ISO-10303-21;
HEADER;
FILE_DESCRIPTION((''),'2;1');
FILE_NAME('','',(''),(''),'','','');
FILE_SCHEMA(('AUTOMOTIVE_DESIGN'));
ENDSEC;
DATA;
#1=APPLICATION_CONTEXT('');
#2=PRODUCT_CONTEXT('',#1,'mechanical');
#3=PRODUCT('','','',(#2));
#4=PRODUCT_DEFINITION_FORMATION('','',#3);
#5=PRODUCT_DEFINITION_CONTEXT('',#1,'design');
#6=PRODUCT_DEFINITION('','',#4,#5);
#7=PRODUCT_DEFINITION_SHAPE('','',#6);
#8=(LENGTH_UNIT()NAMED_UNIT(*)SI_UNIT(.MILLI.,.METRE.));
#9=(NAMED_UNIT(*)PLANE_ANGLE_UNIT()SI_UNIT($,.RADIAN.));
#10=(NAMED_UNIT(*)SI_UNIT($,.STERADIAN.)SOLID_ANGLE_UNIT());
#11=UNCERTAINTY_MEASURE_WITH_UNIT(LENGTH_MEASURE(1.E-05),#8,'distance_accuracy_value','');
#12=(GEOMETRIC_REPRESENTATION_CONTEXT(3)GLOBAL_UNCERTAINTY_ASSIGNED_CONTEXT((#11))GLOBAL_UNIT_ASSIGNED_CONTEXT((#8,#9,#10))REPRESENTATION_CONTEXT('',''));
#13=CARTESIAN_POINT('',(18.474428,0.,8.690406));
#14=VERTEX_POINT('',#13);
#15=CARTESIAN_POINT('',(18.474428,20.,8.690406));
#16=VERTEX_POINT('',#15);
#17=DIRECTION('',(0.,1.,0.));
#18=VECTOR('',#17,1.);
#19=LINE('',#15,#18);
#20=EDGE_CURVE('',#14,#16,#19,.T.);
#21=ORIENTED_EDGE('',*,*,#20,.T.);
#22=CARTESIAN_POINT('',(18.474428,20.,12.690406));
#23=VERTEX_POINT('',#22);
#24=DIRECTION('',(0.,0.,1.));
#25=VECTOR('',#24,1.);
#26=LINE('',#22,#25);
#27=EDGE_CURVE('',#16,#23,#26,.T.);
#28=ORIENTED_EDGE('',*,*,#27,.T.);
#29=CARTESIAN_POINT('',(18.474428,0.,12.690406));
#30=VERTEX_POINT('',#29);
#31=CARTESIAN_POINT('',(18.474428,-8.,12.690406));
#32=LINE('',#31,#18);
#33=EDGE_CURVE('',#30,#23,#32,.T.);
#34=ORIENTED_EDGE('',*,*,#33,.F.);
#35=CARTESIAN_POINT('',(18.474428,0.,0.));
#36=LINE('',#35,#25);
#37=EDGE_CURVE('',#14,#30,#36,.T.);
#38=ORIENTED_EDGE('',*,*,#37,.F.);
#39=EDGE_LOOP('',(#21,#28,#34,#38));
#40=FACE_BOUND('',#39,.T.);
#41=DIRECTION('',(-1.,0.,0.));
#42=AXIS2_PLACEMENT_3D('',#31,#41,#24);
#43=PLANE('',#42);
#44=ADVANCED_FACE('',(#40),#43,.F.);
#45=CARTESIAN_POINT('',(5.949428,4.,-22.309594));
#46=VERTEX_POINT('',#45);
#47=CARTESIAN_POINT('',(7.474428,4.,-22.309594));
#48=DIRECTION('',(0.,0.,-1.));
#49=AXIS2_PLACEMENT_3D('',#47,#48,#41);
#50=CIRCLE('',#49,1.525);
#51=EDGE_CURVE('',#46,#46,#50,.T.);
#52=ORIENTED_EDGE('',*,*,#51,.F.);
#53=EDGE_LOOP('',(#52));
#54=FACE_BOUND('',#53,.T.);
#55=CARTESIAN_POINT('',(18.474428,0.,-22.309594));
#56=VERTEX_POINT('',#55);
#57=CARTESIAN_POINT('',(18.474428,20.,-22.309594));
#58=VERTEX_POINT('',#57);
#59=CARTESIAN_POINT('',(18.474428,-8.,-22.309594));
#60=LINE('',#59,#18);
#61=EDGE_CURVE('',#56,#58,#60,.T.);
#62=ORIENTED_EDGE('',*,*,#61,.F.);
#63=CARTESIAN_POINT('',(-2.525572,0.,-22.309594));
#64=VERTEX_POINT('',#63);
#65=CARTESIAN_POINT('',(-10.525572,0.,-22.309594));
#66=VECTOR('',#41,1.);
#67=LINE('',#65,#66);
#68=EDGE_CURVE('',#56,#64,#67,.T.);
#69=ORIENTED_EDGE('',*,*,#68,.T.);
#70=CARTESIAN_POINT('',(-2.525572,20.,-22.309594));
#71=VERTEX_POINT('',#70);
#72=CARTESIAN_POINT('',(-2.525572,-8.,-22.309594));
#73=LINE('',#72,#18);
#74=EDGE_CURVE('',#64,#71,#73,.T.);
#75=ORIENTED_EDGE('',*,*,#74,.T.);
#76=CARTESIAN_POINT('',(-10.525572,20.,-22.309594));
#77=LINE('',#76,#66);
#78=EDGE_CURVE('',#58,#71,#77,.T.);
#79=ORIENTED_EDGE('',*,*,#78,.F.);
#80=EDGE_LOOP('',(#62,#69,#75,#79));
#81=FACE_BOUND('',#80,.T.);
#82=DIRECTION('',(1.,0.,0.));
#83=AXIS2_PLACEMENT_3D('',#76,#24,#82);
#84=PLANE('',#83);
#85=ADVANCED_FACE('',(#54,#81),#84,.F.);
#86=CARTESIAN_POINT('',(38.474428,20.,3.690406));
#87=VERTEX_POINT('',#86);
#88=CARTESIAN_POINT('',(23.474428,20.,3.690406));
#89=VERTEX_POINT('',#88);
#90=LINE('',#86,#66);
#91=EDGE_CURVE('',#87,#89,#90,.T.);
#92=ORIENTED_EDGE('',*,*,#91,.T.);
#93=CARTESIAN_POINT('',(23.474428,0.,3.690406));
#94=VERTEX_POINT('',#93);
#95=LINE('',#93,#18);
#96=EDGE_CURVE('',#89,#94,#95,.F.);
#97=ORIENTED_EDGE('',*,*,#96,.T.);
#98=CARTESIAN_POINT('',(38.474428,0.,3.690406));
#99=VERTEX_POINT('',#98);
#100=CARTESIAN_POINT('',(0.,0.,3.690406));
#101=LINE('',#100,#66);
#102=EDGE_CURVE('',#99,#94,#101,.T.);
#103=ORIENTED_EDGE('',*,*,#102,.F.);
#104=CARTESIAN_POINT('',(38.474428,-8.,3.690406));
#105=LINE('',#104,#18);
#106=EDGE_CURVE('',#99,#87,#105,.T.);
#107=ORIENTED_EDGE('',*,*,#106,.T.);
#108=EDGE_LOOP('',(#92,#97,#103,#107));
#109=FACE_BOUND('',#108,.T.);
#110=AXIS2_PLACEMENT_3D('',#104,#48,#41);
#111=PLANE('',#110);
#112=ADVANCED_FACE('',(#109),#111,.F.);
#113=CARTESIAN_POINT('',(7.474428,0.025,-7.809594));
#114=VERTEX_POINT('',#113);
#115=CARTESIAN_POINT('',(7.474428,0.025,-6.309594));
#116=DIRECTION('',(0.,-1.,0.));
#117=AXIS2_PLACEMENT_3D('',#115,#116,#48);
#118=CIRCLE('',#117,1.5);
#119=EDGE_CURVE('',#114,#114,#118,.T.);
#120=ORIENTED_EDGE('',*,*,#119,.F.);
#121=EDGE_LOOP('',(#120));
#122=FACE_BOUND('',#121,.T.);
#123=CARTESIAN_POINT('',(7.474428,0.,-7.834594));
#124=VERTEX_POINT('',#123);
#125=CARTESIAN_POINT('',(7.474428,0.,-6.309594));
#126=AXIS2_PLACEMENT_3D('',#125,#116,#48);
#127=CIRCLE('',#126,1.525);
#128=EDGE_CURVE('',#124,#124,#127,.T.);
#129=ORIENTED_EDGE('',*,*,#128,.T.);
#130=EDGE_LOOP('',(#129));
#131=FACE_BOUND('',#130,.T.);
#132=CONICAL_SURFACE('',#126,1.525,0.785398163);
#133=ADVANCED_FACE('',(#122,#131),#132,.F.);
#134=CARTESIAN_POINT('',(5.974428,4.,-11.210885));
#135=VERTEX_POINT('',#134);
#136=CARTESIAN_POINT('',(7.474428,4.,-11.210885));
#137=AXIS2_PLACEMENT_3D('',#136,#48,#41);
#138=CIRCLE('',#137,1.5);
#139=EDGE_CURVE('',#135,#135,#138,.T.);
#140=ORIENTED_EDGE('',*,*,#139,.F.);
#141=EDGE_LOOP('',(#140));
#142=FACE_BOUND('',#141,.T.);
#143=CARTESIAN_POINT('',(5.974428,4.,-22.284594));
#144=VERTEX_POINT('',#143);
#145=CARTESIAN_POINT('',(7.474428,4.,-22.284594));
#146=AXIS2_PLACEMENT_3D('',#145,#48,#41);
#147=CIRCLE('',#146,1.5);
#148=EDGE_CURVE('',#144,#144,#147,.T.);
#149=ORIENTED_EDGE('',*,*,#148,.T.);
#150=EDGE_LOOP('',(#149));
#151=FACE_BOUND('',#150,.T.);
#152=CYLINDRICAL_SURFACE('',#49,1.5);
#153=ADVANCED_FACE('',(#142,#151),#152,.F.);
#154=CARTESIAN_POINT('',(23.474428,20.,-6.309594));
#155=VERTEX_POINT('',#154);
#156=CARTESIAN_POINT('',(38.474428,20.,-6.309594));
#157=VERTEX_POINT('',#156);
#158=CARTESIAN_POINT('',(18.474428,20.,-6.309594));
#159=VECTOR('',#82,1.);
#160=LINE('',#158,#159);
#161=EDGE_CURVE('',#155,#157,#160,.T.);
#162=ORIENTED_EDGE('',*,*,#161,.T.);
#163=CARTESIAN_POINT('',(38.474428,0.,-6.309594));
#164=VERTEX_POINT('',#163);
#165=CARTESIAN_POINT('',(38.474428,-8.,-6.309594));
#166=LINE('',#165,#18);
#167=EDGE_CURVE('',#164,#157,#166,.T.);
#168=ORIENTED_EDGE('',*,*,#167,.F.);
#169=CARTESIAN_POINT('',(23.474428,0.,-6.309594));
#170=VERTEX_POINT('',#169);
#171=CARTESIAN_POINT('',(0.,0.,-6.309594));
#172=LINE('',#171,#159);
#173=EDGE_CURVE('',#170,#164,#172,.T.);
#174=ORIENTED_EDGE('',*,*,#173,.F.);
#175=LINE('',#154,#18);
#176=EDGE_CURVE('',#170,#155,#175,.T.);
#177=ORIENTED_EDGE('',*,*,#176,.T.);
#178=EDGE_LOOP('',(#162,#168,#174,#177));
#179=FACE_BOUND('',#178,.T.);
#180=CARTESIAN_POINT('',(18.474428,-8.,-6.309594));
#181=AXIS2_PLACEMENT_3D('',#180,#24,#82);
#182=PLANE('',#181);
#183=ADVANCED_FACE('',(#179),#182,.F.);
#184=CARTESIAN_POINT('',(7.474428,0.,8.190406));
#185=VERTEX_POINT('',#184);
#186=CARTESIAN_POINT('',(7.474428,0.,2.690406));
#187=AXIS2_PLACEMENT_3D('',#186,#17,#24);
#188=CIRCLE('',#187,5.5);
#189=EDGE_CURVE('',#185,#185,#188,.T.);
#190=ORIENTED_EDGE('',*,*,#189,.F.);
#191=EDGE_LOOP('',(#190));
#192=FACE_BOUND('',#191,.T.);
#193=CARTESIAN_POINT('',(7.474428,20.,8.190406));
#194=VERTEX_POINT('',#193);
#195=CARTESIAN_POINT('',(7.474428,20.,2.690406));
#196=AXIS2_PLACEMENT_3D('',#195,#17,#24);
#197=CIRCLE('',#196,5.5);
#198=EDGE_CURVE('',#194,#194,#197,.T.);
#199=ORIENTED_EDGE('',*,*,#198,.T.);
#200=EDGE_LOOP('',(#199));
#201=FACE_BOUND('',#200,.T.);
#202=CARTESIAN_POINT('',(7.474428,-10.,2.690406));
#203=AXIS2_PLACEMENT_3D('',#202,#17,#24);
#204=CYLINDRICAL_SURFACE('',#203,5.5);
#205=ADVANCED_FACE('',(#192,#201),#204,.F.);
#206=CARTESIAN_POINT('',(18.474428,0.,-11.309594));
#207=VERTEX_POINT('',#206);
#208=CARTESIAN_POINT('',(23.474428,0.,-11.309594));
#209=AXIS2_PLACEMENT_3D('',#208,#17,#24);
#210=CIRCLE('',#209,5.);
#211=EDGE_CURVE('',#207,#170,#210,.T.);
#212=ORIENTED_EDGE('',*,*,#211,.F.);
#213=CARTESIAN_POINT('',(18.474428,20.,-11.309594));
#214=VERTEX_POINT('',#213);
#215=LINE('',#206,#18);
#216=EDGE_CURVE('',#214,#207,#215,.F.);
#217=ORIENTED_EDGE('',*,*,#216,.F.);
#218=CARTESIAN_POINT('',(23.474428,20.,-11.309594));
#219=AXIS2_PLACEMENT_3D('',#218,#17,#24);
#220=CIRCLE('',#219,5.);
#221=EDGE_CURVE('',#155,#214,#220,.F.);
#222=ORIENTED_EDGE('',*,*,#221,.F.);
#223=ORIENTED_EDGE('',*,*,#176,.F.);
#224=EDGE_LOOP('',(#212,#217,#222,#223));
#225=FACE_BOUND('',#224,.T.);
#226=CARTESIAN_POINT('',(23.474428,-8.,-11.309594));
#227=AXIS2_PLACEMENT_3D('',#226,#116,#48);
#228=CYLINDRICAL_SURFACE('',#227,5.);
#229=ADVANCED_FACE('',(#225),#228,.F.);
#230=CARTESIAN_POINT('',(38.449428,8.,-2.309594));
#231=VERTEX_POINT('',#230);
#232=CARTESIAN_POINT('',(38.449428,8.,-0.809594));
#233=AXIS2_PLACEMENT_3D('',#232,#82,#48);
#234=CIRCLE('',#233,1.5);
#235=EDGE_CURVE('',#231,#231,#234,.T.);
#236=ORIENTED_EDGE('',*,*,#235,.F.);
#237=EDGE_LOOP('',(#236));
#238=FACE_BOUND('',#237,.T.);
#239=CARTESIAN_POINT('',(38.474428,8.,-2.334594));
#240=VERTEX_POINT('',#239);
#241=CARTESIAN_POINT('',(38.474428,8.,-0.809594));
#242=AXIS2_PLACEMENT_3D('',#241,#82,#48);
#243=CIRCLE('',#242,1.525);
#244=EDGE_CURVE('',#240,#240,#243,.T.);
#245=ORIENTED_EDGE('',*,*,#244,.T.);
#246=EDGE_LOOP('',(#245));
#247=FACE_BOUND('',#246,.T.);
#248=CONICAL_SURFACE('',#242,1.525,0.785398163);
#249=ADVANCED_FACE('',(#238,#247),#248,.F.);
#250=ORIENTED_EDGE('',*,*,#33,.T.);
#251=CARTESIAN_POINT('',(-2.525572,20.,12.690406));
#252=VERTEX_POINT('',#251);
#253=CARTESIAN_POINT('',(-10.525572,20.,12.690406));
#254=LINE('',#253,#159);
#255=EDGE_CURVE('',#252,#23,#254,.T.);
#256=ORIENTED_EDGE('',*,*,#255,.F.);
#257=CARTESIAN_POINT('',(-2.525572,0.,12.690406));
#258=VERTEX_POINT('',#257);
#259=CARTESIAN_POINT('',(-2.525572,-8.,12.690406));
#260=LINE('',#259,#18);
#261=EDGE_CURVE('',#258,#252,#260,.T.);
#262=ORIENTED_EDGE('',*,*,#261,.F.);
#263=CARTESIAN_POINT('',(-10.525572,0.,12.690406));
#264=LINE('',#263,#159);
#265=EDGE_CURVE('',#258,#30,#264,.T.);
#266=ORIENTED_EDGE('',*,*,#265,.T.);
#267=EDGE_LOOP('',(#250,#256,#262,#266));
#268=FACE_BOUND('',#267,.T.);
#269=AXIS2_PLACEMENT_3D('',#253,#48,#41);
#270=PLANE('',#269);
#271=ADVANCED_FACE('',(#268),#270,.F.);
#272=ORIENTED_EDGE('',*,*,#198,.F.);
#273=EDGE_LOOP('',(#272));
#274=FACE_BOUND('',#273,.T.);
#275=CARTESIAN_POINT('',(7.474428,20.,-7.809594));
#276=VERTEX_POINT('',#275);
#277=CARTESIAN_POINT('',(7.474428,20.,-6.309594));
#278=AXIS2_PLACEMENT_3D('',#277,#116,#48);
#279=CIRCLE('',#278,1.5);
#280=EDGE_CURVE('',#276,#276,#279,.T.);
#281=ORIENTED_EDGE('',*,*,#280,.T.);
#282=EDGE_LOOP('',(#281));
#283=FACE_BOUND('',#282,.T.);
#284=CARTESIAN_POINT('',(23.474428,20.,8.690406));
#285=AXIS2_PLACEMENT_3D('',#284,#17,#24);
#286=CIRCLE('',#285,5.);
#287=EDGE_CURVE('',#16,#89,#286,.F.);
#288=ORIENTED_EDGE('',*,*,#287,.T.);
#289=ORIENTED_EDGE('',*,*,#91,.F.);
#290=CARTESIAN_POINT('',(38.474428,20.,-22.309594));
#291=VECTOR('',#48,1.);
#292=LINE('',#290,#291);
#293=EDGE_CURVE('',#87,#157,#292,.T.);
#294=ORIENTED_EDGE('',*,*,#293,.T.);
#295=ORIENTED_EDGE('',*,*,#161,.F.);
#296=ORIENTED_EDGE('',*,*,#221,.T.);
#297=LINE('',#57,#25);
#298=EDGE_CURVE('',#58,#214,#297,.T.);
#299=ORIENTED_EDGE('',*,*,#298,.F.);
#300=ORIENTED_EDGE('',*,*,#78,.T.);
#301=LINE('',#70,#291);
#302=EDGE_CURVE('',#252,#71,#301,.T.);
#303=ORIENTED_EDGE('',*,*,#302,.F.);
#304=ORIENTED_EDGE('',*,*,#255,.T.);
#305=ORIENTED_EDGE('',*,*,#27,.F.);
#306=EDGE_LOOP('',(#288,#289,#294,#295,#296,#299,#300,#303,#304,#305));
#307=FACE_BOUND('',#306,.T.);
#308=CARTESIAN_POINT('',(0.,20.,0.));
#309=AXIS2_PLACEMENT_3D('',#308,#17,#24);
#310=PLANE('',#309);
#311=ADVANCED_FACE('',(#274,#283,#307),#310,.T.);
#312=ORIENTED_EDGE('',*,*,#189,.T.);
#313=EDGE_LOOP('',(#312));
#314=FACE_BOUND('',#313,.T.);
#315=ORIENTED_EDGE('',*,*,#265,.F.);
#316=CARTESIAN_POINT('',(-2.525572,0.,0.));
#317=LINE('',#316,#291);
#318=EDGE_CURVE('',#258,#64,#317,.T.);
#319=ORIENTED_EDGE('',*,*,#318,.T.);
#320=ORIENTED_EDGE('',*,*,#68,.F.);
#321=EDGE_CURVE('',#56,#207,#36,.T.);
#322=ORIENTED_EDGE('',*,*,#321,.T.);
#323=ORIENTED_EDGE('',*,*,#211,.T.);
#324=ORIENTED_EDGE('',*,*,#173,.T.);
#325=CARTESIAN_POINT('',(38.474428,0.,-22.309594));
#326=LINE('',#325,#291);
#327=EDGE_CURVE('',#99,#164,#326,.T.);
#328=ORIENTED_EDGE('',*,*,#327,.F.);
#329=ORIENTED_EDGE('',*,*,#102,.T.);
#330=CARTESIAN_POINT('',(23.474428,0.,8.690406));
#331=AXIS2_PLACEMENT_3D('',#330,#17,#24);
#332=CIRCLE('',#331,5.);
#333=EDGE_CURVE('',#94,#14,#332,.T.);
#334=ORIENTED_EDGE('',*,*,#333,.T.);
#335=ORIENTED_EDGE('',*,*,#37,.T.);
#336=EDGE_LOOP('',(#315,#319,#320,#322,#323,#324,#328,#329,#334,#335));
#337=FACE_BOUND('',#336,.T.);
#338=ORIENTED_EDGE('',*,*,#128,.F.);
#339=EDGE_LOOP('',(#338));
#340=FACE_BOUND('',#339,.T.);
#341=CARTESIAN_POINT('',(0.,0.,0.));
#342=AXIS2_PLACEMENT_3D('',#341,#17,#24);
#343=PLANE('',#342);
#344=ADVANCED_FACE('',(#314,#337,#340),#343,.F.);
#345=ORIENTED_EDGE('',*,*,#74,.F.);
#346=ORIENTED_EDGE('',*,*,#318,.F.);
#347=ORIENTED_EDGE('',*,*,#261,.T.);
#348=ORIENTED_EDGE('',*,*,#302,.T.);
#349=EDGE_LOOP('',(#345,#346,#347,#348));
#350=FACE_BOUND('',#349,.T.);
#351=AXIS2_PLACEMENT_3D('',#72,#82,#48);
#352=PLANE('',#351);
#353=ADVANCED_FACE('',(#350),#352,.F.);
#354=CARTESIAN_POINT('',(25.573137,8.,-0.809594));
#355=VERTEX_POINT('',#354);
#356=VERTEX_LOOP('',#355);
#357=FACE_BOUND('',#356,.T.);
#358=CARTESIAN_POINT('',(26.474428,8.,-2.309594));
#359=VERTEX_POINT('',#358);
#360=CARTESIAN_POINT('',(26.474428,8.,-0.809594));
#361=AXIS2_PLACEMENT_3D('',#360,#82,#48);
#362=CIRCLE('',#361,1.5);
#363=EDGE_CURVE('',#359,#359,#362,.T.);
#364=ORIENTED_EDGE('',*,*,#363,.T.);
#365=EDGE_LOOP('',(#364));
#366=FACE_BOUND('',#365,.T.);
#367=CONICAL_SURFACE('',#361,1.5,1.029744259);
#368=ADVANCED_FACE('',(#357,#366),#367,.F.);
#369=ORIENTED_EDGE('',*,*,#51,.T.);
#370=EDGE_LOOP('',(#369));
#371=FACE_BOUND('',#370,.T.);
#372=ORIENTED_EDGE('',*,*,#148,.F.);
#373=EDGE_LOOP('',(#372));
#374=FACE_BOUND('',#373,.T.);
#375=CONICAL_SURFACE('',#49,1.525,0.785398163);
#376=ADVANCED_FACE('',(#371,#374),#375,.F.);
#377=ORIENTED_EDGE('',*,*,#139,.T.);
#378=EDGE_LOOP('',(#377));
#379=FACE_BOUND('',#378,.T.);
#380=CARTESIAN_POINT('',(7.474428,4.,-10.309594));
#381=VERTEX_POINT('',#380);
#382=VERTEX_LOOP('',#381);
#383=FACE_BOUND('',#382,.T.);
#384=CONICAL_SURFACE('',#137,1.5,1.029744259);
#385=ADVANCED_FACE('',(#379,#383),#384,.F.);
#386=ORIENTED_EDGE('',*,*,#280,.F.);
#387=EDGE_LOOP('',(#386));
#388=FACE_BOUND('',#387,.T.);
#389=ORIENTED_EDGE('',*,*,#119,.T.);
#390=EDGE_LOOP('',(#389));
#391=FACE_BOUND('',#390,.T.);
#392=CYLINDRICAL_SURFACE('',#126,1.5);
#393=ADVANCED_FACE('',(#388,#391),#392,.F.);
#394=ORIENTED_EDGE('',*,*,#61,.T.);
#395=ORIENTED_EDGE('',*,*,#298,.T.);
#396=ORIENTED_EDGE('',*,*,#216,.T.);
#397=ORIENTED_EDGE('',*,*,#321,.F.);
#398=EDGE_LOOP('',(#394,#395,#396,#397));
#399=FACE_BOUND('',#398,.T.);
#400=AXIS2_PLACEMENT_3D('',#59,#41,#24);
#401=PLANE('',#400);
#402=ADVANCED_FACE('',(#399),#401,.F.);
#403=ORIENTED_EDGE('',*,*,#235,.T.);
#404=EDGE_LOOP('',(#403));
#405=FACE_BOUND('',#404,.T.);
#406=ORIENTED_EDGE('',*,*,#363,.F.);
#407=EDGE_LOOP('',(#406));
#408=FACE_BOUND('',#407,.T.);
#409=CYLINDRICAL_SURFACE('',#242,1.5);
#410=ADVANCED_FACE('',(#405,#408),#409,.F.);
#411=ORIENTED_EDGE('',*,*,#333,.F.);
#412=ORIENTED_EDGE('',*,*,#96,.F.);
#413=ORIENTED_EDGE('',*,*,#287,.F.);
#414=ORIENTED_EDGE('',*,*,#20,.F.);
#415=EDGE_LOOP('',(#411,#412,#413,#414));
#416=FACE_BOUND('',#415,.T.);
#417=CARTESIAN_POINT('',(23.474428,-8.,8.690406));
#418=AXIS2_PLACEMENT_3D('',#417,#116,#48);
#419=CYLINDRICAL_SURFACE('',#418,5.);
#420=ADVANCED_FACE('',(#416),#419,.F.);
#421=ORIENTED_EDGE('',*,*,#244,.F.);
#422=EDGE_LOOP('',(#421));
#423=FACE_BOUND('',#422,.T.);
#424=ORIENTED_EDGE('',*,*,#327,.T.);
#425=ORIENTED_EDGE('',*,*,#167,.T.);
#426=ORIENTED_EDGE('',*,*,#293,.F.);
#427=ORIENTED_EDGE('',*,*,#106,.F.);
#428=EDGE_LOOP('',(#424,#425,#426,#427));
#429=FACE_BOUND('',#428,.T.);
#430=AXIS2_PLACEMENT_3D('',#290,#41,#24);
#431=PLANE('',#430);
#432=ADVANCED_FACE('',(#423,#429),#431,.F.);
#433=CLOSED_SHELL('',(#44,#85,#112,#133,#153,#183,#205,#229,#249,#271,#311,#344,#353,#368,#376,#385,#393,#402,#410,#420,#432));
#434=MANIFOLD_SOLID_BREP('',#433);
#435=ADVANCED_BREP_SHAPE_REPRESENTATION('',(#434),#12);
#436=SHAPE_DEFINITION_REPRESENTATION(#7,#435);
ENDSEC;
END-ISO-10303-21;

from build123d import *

# Parameters (mm, degrees)
SKETCH1_W                       = 49
SKETCH1_H                       = 35
BOSS_EXTRUDE1_DEPTH             = 20
F_3_0MM_DOWEL_HOLE1_D           = 3
F_3_0MM_DOWEL_HOLE1_DEPTH       = 11.098709071
F_3_0MM_DOWEL_HOLE1_CSINK_D     = 3.05
F_3_0MM_DOWEL_HOLE1_CSINK_ANGLE = 90
F_3_0MM_DOWEL_HOLE1_TIP         = 0.901290929
F_3_0MM_DOWEL_HOLE2_D           = 3
F_3_0MM_DOWEL_HOLE2_DEPTH       = 12
F_3_0MM_DOWEL_HOLE2_CSINK_D     = 3.05
F_3_0MM_DOWEL_HOLE2_CSINK_ANGLE = 90
F_3_0MM_DOWEL_HOLE2_TIP         = 0.901290929
F_3_0MM_DOWEL_HOLE3_D           = 3
F_3_0MM_DOWEL_HOLE3_CSINK_D     = 3.05
F_3_0MM_DOWEL_HOLE3_CSINK_ANGLE = 90
SKETCH14_W                      = 8
SKETCH14_H                      = 35
SKETCH14_W_2                    = 20
SKETCH14_H_2                    = 16
SKETCH14_H_3                    = 9
CUT_EXTRUDE3_DEPTH              = 28
SKETCH15_R                      = 5.5
CUT_EXTRUDE4_DEPTH              = 30
FILLET1_R                       = 5


with BuildPart() as part:
    # Sketch1 → Boss-Extrude1 (new body)
    with BuildSketch(Plane(origin=(0, 0, 0), x_dir=(1, 0, 0), z_dir=(0, 1, 0))):
        with Locations((13.974428044, 4.809594096)):
            Rectangle(SKETCH1_W, SKETCH1_H)
    extrude(amount=BOSS_EXTRUDE1_DEPTH)

    # Ø3.0mm Dowel Hole1
    with Locations(Plane(origin=(0, 0, -22.309594096), x_dir=(-1, 0, 0), z_dir=(0, 0, -1))):
        with Locations((-7.474428044, 4)):
            CounterSinkHole(F_3_0MM_DOWEL_HOLE1_D / 2, F_3_0MM_DOWEL_HOLE1_CSINK_D / 2, depth=F_3_0MM_DOWEL_HOLE1_DEPTH, counter_sink_angle=F_3_0MM_DOWEL_HOLE1_CSINK_ANGLE)
            with Locations((0, 0, -(F_3_0MM_DOWEL_HOLE1_DEPTH + F_3_0MM_DOWEL_HOLE1_TIP / 2))):  # 118° drill point
                Cone(0, F_3_0MM_DOWEL_HOLE1_D / 2, F_3_0MM_DOWEL_HOLE1_TIP, mode=Mode.SUBTRACT)

    # Ø3.0mm Dowel Hole2
    with Locations(Plane(origin=(38.474428044, 0, 0), x_dir=(0, 0, -1), z_dir=(1, 0, 0))):
        with Locations((0.809594096, 8)):
            CounterSinkHole(F_3_0MM_DOWEL_HOLE2_D / 2, F_3_0MM_DOWEL_HOLE2_CSINK_D / 2, depth=F_3_0MM_DOWEL_HOLE2_DEPTH, counter_sink_angle=F_3_0MM_DOWEL_HOLE2_CSINK_ANGLE)
            with Locations((0, 0, -(F_3_0MM_DOWEL_HOLE2_DEPTH + F_3_0MM_DOWEL_HOLE2_TIP / 2))):  # 118° drill point
                Cone(0, F_3_0MM_DOWEL_HOLE2_D / 2, F_3_0MM_DOWEL_HOLE2_TIP, mode=Mode.SUBTRACT)

    # Ø3.0mm Dowel Hole3 (through all)
    with Locations(Plane(origin=(0, 0, 0), x_dir=(-1, 0, 0), z_dir=(0, -1, 0))):
        with Locations((-7.474428044, 6.309594096)):
            CounterSinkHole(F_3_0MM_DOWEL_HOLE3_D / 2, F_3_0MM_DOWEL_HOLE3_CSINK_D / 2, counter_sink_angle=F_3_0MM_DOWEL_HOLE3_CSINK_ANGLE)

    # Sketch14 → Cut-Extrude3 (cut)
    with BuildSketch(Plane(origin=(0, 20, 0), x_dir=(1, 0, 0), z_dir=(0, 1, 0))):
        with Locations((-6.525571956, 4.809594096)):
            Rectangle(SKETCH14_W, SKETCH14_H)
        with Locations((28.474428044, 14.309594096)):
            Rectangle(SKETCH14_W_2, SKETCH14_H_2)
        with Locations((28.474428044, -8.190405904)):
            Rectangle(SKETCH14_W_2, SKETCH14_H_3)
    extrude(amount=-CUT_EXTRUDE3_DEPTH, mode=Mode.SUBTRACT)

    # Sketch15 → Cut-Extrude4 (cut)
    with BuildSketch(Plane(origin=(0, 20, 0), x_dir=(1, 0, 0), z_dir=(0, 1, 0))):
        with Locations((7.474428044, -2.690405904)):
            Circle(SKETCH15_R)
    extrude(amount=-CUT_EXTRUDE4_DEPTH, mode=Mode.SUBTRACT)

    # Fillet1
    fillet1_edges = [part.edges().sort_by_distance(p)[0] for p in [
        (18.474428044, 10, -6.309594096),
        (18.474428044, 10, 3.690405904),
    ]]
    fillet(fillet1_edges, radius=FILLET1_R)


solid = part.part
